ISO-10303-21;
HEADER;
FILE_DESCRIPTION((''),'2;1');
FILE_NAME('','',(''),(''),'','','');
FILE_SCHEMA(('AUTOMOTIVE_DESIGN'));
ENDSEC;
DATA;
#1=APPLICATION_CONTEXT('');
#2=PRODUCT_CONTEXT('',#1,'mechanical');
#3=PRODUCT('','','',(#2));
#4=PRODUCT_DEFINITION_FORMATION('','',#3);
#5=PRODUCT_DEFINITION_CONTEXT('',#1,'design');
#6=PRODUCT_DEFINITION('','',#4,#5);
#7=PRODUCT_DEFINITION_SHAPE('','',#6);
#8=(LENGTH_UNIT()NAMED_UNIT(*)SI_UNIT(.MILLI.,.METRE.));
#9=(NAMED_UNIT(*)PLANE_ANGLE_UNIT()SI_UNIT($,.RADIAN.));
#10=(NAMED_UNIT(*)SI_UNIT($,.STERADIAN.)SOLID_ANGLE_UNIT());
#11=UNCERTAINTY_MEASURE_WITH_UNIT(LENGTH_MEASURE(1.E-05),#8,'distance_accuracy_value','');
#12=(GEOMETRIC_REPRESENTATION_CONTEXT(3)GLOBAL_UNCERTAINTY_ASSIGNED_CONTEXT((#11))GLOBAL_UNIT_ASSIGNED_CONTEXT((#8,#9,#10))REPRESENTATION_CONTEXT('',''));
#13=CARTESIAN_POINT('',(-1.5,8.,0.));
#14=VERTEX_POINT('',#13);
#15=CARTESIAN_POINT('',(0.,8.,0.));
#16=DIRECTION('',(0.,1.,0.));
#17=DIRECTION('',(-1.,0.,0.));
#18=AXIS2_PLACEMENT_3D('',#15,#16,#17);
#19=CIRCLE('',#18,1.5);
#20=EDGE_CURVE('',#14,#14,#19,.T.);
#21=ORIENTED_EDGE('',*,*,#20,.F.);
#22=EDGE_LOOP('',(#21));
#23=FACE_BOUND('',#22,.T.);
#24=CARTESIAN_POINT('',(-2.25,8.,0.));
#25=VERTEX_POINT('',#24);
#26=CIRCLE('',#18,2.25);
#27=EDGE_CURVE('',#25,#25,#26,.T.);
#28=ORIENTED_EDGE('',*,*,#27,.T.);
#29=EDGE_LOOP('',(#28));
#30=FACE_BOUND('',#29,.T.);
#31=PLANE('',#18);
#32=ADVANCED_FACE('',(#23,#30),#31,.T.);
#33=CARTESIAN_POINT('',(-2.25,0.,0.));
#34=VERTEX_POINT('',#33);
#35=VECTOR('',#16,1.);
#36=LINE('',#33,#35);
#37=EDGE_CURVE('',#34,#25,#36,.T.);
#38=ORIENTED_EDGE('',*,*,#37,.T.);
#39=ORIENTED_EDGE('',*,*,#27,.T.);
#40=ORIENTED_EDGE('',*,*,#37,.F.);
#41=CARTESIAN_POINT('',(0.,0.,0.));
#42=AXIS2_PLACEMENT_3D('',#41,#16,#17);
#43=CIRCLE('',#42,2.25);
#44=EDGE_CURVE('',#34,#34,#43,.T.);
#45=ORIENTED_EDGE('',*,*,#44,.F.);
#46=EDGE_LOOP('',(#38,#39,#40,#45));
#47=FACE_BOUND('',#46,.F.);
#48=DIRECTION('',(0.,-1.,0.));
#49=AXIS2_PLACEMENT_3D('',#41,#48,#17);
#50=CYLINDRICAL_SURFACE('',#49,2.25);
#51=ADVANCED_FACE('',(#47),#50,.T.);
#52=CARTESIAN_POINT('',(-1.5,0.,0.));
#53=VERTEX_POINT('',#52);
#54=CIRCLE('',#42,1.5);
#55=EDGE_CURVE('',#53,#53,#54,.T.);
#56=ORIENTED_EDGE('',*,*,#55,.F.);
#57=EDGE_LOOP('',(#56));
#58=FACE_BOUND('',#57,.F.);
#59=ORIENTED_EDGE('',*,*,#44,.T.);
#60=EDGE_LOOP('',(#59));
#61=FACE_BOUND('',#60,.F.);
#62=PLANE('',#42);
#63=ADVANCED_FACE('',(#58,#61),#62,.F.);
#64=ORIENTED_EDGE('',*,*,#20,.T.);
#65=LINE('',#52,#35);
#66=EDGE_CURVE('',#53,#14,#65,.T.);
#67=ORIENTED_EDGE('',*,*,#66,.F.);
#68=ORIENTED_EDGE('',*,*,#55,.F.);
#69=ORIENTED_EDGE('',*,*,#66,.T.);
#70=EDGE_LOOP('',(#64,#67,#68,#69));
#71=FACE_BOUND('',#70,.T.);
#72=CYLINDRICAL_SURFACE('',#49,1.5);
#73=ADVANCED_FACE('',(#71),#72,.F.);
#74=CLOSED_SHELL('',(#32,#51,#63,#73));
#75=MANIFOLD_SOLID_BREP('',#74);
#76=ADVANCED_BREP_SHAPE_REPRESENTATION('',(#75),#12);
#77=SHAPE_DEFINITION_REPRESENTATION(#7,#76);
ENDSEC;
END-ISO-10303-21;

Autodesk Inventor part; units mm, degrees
ref_plane "YZ Plane" through (0, 0, 0) normal (1, 0, 0) x (0, 1, 0)
ref_plane "XZ Plane" through (0, 0, 0) normal (0, 1, 0) x (-1, 0, 0)
ref_plane "XY Plane" through (0, 0, 0) normal (0, 0, 1) x (1, 0, 0)
sketch "Szkic1" plane through (0, 0, 0) normal (0, 1, 0) x (-1, 0, 0)
  circle A0 centre (0, 0) radius 1.5
  circle A1 centre (0, 0) radius 2.25
  dimension "d0" = 3
  dimension "d1" = 4.5
extrude "Wyciągnięcie proste1" add sketch "Szkic1" along normal blind 8
properties part number "dystans"
